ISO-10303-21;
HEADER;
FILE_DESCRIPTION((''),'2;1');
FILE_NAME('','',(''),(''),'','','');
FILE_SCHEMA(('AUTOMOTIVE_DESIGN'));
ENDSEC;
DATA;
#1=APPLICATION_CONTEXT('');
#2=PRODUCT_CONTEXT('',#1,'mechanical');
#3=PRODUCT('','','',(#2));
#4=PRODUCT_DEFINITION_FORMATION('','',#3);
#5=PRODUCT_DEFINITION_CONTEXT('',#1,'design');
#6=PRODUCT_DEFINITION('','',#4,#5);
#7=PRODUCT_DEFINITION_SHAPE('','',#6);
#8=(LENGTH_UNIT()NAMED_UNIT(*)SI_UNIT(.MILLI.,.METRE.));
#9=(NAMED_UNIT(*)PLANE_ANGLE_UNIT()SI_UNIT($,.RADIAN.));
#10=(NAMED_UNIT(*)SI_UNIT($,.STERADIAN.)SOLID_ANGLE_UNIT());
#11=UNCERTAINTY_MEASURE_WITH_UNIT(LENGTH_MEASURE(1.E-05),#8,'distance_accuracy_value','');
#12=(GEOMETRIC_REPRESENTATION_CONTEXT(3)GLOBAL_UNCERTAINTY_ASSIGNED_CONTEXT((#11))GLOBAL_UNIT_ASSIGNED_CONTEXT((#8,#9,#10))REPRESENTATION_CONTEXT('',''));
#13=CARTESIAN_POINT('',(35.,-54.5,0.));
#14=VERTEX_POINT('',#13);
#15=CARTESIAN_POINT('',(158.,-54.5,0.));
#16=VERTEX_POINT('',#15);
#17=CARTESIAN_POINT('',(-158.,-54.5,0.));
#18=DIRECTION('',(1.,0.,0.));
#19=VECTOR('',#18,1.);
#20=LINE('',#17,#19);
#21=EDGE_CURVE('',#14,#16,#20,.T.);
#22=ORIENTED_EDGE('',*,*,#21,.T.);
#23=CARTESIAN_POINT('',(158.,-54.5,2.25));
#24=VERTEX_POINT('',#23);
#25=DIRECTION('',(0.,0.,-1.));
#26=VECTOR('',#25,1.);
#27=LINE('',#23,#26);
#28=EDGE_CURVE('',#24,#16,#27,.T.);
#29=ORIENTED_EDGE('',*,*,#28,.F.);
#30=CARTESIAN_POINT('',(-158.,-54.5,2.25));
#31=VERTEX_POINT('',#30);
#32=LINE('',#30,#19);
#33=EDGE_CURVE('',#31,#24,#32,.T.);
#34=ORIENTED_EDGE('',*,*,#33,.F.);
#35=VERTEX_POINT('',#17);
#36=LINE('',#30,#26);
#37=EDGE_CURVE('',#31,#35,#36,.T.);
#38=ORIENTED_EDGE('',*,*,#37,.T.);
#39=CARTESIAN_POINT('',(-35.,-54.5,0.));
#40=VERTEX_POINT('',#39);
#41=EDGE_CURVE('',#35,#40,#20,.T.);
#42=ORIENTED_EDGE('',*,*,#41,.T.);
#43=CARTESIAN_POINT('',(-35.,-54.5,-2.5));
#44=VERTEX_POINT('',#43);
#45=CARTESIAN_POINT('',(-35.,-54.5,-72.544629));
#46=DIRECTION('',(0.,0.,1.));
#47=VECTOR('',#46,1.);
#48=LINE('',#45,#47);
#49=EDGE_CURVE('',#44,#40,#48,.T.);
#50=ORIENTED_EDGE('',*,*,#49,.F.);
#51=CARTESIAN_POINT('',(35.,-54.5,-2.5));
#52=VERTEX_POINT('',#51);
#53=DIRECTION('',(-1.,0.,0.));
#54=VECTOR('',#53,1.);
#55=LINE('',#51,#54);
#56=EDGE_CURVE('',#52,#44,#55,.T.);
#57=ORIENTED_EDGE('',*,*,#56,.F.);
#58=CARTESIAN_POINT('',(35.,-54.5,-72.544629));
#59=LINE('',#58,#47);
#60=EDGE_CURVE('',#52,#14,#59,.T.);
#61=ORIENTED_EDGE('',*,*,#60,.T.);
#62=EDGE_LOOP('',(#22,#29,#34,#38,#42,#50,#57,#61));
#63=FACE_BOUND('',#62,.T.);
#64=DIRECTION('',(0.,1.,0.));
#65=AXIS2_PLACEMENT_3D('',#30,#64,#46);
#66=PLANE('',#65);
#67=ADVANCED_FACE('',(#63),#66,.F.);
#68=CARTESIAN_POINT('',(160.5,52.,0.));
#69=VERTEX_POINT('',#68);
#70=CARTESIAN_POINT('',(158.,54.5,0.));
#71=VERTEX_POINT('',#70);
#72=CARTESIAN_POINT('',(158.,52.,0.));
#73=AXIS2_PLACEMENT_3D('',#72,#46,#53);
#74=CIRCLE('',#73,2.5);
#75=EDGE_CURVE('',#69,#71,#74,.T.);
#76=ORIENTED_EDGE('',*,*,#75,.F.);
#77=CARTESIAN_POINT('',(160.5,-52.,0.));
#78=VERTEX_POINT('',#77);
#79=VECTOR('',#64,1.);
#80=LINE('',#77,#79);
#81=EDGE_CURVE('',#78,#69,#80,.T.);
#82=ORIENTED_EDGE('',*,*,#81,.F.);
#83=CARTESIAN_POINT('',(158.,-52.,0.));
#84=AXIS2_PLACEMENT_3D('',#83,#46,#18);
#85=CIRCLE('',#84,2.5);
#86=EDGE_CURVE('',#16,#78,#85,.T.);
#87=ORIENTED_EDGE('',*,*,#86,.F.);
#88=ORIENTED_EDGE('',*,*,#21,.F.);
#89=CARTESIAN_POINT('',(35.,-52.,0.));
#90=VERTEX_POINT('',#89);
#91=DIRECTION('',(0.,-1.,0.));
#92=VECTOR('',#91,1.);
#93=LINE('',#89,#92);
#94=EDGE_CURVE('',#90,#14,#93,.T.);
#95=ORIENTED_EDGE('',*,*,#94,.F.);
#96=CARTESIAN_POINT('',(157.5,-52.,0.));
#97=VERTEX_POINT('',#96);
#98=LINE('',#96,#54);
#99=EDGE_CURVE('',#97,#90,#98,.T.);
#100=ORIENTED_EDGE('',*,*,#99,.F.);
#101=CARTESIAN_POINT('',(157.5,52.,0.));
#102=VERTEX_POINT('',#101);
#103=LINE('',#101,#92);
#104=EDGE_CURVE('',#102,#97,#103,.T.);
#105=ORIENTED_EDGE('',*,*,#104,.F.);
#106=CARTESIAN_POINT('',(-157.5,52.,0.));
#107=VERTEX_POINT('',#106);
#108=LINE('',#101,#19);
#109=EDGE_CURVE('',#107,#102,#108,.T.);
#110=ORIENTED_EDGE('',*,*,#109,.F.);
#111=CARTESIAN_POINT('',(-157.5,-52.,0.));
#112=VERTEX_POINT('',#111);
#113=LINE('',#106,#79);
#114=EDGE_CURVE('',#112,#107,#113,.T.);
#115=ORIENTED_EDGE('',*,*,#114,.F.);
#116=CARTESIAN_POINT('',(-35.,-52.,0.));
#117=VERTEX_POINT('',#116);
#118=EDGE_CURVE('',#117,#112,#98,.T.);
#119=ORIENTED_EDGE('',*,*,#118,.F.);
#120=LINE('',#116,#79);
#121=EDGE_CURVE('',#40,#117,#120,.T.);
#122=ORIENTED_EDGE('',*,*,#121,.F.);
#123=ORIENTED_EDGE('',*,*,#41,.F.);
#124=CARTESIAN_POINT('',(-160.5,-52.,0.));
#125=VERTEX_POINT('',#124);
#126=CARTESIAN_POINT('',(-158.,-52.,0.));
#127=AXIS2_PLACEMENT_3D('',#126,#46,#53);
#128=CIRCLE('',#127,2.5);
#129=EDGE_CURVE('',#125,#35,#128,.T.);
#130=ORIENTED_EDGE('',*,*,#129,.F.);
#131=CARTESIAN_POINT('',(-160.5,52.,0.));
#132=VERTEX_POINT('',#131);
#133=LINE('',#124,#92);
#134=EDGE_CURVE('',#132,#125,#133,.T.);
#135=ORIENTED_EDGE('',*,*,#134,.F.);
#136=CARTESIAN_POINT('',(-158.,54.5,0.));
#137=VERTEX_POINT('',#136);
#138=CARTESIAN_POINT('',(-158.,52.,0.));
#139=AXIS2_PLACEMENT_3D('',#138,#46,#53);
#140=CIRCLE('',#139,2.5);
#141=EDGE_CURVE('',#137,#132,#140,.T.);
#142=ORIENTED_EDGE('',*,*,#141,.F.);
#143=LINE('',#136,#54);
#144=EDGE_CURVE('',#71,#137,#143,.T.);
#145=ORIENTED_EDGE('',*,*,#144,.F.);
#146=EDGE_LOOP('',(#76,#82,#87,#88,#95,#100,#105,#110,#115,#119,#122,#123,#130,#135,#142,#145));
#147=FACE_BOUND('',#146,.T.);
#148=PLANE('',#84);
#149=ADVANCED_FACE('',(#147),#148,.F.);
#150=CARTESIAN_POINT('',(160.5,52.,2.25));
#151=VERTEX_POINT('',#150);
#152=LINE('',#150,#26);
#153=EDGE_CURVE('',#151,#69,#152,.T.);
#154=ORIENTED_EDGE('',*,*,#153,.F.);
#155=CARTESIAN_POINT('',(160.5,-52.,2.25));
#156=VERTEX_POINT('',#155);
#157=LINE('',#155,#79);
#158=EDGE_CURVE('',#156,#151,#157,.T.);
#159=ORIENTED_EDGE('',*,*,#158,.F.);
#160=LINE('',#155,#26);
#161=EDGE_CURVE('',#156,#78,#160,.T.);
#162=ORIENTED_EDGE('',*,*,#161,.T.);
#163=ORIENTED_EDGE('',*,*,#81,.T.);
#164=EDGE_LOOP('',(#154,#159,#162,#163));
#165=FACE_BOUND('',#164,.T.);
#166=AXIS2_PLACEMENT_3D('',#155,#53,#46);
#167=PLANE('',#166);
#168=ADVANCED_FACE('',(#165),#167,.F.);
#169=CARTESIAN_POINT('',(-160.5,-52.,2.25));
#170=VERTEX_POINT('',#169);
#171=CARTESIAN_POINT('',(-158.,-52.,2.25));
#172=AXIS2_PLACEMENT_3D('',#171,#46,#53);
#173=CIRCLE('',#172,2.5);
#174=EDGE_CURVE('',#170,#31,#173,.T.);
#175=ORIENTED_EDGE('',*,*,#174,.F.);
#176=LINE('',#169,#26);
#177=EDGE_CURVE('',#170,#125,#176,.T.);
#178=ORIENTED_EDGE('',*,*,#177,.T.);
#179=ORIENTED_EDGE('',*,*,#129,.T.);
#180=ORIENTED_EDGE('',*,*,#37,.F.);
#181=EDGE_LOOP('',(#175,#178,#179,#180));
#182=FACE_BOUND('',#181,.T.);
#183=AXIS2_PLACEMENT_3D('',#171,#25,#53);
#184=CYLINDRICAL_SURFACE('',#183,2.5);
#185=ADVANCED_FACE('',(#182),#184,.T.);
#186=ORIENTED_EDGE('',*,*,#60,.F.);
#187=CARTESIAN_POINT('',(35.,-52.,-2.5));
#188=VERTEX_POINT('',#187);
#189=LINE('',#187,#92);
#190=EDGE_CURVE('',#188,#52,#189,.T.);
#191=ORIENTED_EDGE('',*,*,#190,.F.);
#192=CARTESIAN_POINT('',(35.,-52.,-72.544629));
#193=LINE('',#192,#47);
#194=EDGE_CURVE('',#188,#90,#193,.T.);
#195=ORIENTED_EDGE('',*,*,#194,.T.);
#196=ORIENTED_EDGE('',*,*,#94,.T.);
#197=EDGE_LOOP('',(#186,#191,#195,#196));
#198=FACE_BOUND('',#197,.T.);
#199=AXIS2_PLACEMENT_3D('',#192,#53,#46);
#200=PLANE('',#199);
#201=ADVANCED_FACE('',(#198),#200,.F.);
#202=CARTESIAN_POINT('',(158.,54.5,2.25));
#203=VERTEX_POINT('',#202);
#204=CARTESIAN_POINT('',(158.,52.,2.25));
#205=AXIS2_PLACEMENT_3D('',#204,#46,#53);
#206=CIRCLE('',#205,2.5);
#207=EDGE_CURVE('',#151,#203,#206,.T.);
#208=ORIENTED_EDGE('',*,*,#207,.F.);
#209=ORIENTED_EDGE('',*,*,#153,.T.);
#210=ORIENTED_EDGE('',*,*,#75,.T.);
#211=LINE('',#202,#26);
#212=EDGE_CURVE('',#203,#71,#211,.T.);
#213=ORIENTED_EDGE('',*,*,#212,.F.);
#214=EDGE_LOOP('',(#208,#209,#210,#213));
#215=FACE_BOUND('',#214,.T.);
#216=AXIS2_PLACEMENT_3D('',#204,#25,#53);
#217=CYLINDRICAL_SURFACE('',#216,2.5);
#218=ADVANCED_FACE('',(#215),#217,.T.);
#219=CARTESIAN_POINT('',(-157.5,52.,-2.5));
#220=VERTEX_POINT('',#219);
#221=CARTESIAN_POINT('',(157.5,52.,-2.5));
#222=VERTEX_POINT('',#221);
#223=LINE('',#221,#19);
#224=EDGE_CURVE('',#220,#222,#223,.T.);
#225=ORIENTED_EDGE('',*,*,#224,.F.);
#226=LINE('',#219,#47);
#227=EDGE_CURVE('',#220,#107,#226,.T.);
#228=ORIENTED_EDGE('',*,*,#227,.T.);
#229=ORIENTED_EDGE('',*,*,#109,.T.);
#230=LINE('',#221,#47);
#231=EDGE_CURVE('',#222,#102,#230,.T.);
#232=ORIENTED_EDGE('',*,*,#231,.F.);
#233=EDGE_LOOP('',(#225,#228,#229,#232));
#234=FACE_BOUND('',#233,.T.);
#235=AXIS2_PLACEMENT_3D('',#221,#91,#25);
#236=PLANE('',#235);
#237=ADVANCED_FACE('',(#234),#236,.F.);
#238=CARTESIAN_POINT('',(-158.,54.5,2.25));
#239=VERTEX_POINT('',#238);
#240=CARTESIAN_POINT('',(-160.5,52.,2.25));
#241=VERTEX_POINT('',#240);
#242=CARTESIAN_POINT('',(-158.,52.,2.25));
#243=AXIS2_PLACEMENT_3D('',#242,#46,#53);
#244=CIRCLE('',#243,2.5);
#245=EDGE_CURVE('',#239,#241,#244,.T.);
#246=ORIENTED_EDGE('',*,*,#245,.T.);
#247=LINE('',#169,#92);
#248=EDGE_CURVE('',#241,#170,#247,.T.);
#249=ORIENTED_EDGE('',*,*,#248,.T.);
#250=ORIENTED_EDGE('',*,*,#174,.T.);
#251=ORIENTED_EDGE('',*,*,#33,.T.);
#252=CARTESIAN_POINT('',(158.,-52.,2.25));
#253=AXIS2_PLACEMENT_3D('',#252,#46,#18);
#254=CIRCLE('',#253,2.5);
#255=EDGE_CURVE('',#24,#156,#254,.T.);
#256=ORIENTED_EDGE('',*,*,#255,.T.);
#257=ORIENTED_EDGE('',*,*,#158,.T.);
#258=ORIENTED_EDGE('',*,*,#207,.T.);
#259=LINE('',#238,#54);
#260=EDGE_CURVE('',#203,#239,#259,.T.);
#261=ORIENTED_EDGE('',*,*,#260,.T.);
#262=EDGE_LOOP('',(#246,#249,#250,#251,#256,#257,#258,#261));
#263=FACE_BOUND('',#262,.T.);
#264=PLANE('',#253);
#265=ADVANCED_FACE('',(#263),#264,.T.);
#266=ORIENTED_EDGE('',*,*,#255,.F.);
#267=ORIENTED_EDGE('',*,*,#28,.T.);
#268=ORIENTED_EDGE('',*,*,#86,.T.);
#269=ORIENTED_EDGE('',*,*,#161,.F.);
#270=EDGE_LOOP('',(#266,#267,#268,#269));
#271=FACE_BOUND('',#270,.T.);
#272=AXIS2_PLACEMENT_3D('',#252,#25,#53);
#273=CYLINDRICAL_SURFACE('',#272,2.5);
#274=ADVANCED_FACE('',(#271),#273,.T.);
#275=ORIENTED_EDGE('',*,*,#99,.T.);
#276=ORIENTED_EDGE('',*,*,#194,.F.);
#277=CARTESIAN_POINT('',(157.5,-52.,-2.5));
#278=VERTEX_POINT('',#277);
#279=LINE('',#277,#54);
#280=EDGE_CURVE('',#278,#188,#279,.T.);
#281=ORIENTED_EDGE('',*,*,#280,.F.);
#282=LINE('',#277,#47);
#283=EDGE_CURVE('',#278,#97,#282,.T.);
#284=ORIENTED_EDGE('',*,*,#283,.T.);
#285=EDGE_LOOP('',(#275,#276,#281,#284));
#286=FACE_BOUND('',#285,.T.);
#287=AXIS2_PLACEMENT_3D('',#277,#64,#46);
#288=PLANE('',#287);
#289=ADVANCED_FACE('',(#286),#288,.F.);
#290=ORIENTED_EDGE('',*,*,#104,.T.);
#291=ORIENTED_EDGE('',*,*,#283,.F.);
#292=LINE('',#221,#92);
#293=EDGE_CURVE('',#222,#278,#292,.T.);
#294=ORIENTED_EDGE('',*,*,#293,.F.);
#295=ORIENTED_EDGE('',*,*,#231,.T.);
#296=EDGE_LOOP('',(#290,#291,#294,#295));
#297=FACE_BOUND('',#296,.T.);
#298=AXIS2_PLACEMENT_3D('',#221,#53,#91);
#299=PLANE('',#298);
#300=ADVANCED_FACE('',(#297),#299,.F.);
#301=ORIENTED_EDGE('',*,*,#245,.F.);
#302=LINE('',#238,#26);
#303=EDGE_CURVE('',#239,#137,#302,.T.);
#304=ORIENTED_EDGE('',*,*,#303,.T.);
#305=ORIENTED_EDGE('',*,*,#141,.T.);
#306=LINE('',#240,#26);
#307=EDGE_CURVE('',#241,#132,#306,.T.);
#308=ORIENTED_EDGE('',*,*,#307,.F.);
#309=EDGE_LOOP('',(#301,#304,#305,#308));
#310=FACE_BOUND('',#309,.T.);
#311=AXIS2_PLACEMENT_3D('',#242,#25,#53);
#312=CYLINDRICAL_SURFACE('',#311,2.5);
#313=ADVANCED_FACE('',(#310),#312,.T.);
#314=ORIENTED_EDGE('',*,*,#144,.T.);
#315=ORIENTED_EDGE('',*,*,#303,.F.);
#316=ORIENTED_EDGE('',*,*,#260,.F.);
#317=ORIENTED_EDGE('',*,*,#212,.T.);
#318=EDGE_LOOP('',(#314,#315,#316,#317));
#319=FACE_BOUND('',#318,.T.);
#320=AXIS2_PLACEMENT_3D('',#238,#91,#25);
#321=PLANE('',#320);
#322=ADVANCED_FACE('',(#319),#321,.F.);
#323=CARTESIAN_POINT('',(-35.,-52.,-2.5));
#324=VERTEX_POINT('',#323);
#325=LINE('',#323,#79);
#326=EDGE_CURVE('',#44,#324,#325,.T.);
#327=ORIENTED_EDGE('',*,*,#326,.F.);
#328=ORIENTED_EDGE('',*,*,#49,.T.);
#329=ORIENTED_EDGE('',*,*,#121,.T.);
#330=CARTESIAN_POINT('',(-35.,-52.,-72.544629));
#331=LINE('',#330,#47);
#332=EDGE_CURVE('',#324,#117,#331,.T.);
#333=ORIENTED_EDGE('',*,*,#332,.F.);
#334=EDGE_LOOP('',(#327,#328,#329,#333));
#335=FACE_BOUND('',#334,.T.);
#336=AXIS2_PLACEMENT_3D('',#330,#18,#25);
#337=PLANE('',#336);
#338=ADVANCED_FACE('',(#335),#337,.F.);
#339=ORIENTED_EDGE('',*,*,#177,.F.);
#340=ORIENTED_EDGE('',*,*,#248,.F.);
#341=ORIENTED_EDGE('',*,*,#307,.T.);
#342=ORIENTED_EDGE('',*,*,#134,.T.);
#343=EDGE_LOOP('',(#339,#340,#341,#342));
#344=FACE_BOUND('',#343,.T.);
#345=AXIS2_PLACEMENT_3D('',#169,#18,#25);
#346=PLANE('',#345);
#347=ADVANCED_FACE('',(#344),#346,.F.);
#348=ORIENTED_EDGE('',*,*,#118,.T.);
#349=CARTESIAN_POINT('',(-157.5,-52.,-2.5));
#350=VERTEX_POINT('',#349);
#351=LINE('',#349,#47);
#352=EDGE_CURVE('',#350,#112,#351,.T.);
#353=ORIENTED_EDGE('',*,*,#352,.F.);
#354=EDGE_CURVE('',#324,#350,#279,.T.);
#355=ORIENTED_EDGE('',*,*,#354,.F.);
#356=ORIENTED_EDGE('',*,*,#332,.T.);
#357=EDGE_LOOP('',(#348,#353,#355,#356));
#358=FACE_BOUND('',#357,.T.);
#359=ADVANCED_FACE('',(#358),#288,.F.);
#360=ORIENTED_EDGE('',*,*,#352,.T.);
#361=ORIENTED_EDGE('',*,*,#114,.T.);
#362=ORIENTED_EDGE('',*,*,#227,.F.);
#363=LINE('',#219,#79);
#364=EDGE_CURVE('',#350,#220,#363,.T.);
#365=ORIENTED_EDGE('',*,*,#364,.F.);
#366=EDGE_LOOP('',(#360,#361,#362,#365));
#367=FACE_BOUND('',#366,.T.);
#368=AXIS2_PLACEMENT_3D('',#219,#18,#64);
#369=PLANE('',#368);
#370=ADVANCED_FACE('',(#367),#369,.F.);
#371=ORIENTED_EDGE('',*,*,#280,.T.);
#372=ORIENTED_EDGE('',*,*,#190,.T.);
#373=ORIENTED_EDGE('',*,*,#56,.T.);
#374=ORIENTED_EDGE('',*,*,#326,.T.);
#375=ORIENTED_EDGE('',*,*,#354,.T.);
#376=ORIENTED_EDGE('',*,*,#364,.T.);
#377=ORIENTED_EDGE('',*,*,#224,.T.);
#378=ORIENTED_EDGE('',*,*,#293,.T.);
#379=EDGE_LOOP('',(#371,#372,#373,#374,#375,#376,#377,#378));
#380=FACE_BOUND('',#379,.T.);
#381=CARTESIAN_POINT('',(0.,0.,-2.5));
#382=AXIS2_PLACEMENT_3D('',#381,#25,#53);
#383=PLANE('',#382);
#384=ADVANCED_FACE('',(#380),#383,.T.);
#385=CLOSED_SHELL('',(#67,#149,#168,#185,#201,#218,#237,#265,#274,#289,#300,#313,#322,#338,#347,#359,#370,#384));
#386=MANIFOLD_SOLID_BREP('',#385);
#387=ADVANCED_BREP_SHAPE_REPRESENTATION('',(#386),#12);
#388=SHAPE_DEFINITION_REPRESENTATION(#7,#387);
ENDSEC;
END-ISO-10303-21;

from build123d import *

# Parameters (mm, degrees)
DIGITIZER_DEPTH                               = 2.25
SKETCH2_W                                     = 315
SKETCH2_H                                     = 104
DISPLAY_INCLUDING_ADHESIVE_MARGIN_OF_5M_DEPTH = 2.5
SKETCH3_W                                     = 70
SKETCH3_H                                     = 2.5
DIGITIZER_CABLE_DEPTH                         = 2.5


with BuildPart() as part:
    # Sketch1 → DIGITIZER (new body)
    with BuildSketch(Plane.XY):
        with BuildLine():
            Line((-158, -54.5), (158, -54.5))
            ThreePointArc((158, -54.5), (159.767766953, -53.767766953), (160.5, -52))
            Line((160.5, -52), (160.5, 52))
            ThreePointArc((160.5, 52), (159.767766953, 53.767766953), (158, 54.5))
            Line((158, 54.5), (-158, 54.5))
            ThreePointArc((-158, 54.5), (-159.767766953, 53.767766953), (-160.5, 52))
            Line((-160.5, 52), (-160.5, -52))
            ThreePointArc((-160.5, -52), (-159.767766953, -53.767766953), (-158, -54.5))
        make_face()
    extrude(amount=DIGITIZER_DEPTH)

    # Sketch2 → DISPLAY INCLUDING ADHESIVE MARGIN OF .5MM (add)
    with BuildSketch(Plane(origin=(0, 0, 0), x_dir=(-1, 0, 0), z_dir=(0, 0, -1))):
        Rectangle(SKETCH2_W, SKETCH2_H)
    extrude(amount=DISPLAY_INCLUDING_ADHESIVE_MARGIN_OF_5M_DEPTH)

    # Sketch3 → DIGITIZER CABLE (add)
    with BuildSketch(Plane(origin=(0, 0, 0), x_dir=(-1, 0, 0), z_dir=(0, 0, -1))):
        with Locations((0, -53.25)):
            Rectangle(SKETCH3_W, SKETCH3_H)
    extrude(amount=DIGITIZER_CABLE_DEPTH)


solid = part.part
